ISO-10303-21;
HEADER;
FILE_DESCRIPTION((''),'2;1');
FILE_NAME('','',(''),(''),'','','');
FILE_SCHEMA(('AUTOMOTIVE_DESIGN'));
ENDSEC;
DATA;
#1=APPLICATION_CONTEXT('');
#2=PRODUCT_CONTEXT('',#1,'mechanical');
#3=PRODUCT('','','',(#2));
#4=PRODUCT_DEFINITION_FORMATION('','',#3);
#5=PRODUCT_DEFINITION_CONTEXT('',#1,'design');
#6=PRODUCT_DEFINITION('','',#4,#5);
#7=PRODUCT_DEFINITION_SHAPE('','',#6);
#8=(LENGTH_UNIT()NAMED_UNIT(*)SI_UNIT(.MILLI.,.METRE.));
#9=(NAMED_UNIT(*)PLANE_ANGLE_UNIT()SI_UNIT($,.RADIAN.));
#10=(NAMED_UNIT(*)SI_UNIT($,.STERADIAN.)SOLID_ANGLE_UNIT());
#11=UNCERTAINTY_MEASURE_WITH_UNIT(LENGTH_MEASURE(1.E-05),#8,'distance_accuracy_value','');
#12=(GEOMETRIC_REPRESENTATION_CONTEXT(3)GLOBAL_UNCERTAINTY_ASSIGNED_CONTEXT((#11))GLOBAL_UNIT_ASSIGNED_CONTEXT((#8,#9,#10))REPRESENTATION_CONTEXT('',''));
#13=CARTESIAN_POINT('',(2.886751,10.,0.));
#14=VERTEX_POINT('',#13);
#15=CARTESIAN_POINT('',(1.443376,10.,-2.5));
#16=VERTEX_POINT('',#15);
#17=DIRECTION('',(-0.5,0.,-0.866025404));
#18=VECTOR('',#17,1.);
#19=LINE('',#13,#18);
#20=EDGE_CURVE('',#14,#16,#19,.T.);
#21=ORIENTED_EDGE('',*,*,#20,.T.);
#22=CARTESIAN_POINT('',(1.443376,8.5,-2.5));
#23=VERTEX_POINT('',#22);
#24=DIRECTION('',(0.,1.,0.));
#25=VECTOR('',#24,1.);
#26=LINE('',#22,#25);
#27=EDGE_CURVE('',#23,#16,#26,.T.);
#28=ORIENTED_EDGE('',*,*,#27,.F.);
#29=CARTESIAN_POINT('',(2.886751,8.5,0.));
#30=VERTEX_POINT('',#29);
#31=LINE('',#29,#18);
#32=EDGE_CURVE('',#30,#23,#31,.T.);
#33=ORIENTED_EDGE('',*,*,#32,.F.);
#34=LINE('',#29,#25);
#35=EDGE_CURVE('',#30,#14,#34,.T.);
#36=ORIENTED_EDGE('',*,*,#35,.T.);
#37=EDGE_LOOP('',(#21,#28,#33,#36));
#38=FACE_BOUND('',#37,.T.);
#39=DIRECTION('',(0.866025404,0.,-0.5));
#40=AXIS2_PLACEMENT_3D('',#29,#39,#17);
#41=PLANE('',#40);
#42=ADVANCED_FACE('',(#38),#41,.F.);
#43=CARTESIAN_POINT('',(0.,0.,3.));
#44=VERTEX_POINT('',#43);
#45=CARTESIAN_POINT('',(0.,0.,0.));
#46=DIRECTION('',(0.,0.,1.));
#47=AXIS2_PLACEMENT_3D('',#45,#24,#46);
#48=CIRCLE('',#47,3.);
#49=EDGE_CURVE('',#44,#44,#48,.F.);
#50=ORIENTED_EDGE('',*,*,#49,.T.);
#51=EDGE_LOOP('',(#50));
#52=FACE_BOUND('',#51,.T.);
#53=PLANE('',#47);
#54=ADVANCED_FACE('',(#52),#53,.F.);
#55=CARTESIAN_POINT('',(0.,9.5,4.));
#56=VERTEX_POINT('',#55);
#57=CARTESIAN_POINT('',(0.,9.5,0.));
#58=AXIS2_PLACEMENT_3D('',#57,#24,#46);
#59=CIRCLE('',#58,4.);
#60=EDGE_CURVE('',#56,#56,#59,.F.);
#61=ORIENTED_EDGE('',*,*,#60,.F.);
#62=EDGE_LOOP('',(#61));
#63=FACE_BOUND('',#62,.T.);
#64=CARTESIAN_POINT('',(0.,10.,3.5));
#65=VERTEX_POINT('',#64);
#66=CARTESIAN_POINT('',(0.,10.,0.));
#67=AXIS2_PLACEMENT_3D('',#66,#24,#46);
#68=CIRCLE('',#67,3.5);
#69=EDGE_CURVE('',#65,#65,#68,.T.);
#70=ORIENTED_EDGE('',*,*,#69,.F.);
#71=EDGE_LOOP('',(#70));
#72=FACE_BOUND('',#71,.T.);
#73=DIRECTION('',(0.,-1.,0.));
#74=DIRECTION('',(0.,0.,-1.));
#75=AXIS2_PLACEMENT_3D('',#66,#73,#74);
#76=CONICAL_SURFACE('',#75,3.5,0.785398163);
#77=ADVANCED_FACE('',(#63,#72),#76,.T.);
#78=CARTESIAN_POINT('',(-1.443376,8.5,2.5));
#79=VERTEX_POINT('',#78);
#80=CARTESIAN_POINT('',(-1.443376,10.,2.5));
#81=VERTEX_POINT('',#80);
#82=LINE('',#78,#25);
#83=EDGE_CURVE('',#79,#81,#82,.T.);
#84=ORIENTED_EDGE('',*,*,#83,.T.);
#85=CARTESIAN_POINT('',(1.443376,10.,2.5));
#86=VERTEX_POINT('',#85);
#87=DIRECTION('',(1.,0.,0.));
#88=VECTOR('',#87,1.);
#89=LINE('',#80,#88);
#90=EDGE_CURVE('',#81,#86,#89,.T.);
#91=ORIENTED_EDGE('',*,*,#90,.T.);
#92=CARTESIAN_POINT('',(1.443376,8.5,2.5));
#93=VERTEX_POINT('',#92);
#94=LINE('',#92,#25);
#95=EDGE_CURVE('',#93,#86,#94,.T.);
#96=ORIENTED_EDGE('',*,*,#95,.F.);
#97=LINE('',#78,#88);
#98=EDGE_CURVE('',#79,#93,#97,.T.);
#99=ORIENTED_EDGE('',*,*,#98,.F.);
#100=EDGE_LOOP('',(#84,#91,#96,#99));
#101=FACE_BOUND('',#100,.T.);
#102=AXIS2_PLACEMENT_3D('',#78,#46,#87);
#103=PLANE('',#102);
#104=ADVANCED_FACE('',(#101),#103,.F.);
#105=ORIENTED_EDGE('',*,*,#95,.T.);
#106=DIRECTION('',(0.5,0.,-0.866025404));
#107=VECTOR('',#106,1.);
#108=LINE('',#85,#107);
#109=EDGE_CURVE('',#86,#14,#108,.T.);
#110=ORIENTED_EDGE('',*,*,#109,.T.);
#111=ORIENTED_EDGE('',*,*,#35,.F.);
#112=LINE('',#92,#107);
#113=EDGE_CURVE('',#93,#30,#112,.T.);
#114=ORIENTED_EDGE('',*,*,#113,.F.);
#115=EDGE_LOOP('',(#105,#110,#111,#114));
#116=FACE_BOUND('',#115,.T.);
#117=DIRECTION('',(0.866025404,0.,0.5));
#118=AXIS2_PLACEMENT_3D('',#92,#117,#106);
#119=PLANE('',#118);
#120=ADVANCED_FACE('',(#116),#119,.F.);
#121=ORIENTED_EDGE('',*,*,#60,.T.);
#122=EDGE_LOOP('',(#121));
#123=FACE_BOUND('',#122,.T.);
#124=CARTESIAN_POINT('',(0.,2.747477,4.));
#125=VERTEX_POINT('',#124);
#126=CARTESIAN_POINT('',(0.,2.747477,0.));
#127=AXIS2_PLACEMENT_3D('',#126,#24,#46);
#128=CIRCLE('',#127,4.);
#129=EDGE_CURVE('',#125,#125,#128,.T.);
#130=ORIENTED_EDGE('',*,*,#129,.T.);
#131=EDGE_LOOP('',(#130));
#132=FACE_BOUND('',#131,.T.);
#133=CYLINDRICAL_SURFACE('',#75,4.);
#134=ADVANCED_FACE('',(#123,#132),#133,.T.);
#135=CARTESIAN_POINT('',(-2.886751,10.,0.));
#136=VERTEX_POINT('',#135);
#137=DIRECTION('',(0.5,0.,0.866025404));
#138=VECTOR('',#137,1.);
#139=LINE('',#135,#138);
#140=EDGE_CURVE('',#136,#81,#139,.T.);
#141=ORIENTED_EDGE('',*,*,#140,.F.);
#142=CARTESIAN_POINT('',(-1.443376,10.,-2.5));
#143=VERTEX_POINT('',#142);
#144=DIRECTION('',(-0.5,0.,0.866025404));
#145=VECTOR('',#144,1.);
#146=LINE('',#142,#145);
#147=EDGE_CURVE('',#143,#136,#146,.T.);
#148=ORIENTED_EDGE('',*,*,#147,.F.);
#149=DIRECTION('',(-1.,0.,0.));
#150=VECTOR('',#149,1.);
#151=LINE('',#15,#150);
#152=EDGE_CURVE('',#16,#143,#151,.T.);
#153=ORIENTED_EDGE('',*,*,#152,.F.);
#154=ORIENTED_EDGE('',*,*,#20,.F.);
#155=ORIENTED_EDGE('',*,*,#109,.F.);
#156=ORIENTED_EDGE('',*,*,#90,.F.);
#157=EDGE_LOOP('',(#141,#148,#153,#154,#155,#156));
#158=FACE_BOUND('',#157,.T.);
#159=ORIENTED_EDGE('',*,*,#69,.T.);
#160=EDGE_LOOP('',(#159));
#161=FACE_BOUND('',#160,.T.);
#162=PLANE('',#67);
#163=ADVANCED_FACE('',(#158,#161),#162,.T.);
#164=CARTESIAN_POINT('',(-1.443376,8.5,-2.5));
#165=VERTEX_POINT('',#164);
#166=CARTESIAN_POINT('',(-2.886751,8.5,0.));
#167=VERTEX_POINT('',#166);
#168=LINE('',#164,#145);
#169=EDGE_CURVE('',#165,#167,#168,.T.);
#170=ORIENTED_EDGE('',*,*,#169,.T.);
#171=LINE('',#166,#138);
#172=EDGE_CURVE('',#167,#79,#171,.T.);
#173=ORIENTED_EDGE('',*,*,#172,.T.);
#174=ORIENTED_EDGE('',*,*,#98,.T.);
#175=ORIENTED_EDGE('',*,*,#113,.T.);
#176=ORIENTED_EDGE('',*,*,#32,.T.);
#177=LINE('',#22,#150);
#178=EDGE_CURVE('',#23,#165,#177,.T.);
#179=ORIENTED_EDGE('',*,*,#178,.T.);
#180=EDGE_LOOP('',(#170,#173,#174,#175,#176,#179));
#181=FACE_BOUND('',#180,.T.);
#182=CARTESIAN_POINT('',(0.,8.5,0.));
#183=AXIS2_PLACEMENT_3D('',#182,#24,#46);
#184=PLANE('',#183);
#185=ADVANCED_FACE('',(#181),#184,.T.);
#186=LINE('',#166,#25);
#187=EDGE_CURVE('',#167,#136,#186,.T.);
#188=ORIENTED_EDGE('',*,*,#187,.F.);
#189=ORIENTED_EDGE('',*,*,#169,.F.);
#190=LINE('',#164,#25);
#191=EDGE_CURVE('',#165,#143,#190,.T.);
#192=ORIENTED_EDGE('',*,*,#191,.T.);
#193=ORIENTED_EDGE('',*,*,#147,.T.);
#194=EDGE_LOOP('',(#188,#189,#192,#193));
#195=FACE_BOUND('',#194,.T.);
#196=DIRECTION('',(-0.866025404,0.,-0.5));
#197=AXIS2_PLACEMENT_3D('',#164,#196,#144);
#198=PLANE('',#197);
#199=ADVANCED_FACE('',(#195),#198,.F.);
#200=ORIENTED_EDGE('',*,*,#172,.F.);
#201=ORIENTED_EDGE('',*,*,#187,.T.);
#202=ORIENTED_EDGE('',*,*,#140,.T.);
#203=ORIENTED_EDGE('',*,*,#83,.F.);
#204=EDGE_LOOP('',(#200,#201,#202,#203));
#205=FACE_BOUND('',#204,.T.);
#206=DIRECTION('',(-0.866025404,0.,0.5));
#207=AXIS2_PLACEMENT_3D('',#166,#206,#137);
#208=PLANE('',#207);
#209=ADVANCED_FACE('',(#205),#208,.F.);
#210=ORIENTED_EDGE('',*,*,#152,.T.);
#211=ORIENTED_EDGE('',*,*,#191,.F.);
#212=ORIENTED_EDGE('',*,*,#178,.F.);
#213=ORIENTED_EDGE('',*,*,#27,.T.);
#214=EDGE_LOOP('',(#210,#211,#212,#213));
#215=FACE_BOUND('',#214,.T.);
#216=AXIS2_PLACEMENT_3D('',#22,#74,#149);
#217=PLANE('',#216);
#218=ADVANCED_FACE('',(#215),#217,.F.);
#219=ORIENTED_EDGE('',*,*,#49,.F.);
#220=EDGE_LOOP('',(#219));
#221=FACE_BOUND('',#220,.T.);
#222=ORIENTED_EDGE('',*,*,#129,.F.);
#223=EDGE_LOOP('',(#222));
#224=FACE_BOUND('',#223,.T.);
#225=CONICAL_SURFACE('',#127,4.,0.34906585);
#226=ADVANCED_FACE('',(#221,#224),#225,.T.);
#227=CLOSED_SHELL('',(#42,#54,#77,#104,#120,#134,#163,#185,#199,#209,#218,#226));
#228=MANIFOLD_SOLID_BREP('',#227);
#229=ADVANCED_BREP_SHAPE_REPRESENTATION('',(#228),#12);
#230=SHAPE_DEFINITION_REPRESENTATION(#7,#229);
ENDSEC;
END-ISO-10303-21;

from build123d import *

# Parameters (mm, degrees)
SKETCH2_R           = 4
BOSS_EXTRUDE1_DEPTH = 10
CUT_EXTRUDE1_DEPTH  = 1.5
CHAMFER1_SIZE       = 0.5
CHAMFER2_SIZE       = 1
CHAMFER2_SIZE2      = 2.747477419


with BuildPart() as part:
    # Sketch2 → Boss-Extrude1 (new body)
    with BuildSketch(Plane(origin=(0, 0, 0), x_dir=(1, 0, 0), z_dir=(0, 1, 0))):
        with Locations(Location((0, 0, 0), (0, 0, 270))):
            Circle(SKETCH2_R)
    extrude(amount=BOSS_EXTRUDE1_DEPTH)

    # Sketch3 → Cut-Extrude1 (cut)
    with BuildSketch(Plane(origin=(0, 10, 0), x_dir=(1, 0, 0), z_dir=(0, 1, 0))):
        Polygon((2.886751346, 0), (1.443375673, 2.5), (-1.443375673, 2.5), (-2.886751346, 0), (-1.443375673, -2.5), (1.443375673, -2.5), align=None)
    extrude(amount=-CUT_EXTRUDE1_DEPTH, mode=Mode.SUBTRACT)

    # Chamfer1
    chamfer1_edges = [part.edges().sort_by_distance(p)[0] for p in [
        (0, 10, -4),
    ]]
    chamfer(chamfer1_edges, length=CHAMFER1_SIZE)

    # Chamfer2
    chamfer2_edges = [part.edges().sort_by_distance(p)[0] for p in [
        (0, 0, -4),
    ]]
    chamfer2_side = [part.faces().sort_by_distance(p)[0] for p in [
        (0, 0, 0),
    ]]
    chamfer(chamfer2_edges, length=CHAMFER2_SIZE, length2=CHAMFER2_SIZE2, reference=chamfer2_side[0])


solid = part.part
